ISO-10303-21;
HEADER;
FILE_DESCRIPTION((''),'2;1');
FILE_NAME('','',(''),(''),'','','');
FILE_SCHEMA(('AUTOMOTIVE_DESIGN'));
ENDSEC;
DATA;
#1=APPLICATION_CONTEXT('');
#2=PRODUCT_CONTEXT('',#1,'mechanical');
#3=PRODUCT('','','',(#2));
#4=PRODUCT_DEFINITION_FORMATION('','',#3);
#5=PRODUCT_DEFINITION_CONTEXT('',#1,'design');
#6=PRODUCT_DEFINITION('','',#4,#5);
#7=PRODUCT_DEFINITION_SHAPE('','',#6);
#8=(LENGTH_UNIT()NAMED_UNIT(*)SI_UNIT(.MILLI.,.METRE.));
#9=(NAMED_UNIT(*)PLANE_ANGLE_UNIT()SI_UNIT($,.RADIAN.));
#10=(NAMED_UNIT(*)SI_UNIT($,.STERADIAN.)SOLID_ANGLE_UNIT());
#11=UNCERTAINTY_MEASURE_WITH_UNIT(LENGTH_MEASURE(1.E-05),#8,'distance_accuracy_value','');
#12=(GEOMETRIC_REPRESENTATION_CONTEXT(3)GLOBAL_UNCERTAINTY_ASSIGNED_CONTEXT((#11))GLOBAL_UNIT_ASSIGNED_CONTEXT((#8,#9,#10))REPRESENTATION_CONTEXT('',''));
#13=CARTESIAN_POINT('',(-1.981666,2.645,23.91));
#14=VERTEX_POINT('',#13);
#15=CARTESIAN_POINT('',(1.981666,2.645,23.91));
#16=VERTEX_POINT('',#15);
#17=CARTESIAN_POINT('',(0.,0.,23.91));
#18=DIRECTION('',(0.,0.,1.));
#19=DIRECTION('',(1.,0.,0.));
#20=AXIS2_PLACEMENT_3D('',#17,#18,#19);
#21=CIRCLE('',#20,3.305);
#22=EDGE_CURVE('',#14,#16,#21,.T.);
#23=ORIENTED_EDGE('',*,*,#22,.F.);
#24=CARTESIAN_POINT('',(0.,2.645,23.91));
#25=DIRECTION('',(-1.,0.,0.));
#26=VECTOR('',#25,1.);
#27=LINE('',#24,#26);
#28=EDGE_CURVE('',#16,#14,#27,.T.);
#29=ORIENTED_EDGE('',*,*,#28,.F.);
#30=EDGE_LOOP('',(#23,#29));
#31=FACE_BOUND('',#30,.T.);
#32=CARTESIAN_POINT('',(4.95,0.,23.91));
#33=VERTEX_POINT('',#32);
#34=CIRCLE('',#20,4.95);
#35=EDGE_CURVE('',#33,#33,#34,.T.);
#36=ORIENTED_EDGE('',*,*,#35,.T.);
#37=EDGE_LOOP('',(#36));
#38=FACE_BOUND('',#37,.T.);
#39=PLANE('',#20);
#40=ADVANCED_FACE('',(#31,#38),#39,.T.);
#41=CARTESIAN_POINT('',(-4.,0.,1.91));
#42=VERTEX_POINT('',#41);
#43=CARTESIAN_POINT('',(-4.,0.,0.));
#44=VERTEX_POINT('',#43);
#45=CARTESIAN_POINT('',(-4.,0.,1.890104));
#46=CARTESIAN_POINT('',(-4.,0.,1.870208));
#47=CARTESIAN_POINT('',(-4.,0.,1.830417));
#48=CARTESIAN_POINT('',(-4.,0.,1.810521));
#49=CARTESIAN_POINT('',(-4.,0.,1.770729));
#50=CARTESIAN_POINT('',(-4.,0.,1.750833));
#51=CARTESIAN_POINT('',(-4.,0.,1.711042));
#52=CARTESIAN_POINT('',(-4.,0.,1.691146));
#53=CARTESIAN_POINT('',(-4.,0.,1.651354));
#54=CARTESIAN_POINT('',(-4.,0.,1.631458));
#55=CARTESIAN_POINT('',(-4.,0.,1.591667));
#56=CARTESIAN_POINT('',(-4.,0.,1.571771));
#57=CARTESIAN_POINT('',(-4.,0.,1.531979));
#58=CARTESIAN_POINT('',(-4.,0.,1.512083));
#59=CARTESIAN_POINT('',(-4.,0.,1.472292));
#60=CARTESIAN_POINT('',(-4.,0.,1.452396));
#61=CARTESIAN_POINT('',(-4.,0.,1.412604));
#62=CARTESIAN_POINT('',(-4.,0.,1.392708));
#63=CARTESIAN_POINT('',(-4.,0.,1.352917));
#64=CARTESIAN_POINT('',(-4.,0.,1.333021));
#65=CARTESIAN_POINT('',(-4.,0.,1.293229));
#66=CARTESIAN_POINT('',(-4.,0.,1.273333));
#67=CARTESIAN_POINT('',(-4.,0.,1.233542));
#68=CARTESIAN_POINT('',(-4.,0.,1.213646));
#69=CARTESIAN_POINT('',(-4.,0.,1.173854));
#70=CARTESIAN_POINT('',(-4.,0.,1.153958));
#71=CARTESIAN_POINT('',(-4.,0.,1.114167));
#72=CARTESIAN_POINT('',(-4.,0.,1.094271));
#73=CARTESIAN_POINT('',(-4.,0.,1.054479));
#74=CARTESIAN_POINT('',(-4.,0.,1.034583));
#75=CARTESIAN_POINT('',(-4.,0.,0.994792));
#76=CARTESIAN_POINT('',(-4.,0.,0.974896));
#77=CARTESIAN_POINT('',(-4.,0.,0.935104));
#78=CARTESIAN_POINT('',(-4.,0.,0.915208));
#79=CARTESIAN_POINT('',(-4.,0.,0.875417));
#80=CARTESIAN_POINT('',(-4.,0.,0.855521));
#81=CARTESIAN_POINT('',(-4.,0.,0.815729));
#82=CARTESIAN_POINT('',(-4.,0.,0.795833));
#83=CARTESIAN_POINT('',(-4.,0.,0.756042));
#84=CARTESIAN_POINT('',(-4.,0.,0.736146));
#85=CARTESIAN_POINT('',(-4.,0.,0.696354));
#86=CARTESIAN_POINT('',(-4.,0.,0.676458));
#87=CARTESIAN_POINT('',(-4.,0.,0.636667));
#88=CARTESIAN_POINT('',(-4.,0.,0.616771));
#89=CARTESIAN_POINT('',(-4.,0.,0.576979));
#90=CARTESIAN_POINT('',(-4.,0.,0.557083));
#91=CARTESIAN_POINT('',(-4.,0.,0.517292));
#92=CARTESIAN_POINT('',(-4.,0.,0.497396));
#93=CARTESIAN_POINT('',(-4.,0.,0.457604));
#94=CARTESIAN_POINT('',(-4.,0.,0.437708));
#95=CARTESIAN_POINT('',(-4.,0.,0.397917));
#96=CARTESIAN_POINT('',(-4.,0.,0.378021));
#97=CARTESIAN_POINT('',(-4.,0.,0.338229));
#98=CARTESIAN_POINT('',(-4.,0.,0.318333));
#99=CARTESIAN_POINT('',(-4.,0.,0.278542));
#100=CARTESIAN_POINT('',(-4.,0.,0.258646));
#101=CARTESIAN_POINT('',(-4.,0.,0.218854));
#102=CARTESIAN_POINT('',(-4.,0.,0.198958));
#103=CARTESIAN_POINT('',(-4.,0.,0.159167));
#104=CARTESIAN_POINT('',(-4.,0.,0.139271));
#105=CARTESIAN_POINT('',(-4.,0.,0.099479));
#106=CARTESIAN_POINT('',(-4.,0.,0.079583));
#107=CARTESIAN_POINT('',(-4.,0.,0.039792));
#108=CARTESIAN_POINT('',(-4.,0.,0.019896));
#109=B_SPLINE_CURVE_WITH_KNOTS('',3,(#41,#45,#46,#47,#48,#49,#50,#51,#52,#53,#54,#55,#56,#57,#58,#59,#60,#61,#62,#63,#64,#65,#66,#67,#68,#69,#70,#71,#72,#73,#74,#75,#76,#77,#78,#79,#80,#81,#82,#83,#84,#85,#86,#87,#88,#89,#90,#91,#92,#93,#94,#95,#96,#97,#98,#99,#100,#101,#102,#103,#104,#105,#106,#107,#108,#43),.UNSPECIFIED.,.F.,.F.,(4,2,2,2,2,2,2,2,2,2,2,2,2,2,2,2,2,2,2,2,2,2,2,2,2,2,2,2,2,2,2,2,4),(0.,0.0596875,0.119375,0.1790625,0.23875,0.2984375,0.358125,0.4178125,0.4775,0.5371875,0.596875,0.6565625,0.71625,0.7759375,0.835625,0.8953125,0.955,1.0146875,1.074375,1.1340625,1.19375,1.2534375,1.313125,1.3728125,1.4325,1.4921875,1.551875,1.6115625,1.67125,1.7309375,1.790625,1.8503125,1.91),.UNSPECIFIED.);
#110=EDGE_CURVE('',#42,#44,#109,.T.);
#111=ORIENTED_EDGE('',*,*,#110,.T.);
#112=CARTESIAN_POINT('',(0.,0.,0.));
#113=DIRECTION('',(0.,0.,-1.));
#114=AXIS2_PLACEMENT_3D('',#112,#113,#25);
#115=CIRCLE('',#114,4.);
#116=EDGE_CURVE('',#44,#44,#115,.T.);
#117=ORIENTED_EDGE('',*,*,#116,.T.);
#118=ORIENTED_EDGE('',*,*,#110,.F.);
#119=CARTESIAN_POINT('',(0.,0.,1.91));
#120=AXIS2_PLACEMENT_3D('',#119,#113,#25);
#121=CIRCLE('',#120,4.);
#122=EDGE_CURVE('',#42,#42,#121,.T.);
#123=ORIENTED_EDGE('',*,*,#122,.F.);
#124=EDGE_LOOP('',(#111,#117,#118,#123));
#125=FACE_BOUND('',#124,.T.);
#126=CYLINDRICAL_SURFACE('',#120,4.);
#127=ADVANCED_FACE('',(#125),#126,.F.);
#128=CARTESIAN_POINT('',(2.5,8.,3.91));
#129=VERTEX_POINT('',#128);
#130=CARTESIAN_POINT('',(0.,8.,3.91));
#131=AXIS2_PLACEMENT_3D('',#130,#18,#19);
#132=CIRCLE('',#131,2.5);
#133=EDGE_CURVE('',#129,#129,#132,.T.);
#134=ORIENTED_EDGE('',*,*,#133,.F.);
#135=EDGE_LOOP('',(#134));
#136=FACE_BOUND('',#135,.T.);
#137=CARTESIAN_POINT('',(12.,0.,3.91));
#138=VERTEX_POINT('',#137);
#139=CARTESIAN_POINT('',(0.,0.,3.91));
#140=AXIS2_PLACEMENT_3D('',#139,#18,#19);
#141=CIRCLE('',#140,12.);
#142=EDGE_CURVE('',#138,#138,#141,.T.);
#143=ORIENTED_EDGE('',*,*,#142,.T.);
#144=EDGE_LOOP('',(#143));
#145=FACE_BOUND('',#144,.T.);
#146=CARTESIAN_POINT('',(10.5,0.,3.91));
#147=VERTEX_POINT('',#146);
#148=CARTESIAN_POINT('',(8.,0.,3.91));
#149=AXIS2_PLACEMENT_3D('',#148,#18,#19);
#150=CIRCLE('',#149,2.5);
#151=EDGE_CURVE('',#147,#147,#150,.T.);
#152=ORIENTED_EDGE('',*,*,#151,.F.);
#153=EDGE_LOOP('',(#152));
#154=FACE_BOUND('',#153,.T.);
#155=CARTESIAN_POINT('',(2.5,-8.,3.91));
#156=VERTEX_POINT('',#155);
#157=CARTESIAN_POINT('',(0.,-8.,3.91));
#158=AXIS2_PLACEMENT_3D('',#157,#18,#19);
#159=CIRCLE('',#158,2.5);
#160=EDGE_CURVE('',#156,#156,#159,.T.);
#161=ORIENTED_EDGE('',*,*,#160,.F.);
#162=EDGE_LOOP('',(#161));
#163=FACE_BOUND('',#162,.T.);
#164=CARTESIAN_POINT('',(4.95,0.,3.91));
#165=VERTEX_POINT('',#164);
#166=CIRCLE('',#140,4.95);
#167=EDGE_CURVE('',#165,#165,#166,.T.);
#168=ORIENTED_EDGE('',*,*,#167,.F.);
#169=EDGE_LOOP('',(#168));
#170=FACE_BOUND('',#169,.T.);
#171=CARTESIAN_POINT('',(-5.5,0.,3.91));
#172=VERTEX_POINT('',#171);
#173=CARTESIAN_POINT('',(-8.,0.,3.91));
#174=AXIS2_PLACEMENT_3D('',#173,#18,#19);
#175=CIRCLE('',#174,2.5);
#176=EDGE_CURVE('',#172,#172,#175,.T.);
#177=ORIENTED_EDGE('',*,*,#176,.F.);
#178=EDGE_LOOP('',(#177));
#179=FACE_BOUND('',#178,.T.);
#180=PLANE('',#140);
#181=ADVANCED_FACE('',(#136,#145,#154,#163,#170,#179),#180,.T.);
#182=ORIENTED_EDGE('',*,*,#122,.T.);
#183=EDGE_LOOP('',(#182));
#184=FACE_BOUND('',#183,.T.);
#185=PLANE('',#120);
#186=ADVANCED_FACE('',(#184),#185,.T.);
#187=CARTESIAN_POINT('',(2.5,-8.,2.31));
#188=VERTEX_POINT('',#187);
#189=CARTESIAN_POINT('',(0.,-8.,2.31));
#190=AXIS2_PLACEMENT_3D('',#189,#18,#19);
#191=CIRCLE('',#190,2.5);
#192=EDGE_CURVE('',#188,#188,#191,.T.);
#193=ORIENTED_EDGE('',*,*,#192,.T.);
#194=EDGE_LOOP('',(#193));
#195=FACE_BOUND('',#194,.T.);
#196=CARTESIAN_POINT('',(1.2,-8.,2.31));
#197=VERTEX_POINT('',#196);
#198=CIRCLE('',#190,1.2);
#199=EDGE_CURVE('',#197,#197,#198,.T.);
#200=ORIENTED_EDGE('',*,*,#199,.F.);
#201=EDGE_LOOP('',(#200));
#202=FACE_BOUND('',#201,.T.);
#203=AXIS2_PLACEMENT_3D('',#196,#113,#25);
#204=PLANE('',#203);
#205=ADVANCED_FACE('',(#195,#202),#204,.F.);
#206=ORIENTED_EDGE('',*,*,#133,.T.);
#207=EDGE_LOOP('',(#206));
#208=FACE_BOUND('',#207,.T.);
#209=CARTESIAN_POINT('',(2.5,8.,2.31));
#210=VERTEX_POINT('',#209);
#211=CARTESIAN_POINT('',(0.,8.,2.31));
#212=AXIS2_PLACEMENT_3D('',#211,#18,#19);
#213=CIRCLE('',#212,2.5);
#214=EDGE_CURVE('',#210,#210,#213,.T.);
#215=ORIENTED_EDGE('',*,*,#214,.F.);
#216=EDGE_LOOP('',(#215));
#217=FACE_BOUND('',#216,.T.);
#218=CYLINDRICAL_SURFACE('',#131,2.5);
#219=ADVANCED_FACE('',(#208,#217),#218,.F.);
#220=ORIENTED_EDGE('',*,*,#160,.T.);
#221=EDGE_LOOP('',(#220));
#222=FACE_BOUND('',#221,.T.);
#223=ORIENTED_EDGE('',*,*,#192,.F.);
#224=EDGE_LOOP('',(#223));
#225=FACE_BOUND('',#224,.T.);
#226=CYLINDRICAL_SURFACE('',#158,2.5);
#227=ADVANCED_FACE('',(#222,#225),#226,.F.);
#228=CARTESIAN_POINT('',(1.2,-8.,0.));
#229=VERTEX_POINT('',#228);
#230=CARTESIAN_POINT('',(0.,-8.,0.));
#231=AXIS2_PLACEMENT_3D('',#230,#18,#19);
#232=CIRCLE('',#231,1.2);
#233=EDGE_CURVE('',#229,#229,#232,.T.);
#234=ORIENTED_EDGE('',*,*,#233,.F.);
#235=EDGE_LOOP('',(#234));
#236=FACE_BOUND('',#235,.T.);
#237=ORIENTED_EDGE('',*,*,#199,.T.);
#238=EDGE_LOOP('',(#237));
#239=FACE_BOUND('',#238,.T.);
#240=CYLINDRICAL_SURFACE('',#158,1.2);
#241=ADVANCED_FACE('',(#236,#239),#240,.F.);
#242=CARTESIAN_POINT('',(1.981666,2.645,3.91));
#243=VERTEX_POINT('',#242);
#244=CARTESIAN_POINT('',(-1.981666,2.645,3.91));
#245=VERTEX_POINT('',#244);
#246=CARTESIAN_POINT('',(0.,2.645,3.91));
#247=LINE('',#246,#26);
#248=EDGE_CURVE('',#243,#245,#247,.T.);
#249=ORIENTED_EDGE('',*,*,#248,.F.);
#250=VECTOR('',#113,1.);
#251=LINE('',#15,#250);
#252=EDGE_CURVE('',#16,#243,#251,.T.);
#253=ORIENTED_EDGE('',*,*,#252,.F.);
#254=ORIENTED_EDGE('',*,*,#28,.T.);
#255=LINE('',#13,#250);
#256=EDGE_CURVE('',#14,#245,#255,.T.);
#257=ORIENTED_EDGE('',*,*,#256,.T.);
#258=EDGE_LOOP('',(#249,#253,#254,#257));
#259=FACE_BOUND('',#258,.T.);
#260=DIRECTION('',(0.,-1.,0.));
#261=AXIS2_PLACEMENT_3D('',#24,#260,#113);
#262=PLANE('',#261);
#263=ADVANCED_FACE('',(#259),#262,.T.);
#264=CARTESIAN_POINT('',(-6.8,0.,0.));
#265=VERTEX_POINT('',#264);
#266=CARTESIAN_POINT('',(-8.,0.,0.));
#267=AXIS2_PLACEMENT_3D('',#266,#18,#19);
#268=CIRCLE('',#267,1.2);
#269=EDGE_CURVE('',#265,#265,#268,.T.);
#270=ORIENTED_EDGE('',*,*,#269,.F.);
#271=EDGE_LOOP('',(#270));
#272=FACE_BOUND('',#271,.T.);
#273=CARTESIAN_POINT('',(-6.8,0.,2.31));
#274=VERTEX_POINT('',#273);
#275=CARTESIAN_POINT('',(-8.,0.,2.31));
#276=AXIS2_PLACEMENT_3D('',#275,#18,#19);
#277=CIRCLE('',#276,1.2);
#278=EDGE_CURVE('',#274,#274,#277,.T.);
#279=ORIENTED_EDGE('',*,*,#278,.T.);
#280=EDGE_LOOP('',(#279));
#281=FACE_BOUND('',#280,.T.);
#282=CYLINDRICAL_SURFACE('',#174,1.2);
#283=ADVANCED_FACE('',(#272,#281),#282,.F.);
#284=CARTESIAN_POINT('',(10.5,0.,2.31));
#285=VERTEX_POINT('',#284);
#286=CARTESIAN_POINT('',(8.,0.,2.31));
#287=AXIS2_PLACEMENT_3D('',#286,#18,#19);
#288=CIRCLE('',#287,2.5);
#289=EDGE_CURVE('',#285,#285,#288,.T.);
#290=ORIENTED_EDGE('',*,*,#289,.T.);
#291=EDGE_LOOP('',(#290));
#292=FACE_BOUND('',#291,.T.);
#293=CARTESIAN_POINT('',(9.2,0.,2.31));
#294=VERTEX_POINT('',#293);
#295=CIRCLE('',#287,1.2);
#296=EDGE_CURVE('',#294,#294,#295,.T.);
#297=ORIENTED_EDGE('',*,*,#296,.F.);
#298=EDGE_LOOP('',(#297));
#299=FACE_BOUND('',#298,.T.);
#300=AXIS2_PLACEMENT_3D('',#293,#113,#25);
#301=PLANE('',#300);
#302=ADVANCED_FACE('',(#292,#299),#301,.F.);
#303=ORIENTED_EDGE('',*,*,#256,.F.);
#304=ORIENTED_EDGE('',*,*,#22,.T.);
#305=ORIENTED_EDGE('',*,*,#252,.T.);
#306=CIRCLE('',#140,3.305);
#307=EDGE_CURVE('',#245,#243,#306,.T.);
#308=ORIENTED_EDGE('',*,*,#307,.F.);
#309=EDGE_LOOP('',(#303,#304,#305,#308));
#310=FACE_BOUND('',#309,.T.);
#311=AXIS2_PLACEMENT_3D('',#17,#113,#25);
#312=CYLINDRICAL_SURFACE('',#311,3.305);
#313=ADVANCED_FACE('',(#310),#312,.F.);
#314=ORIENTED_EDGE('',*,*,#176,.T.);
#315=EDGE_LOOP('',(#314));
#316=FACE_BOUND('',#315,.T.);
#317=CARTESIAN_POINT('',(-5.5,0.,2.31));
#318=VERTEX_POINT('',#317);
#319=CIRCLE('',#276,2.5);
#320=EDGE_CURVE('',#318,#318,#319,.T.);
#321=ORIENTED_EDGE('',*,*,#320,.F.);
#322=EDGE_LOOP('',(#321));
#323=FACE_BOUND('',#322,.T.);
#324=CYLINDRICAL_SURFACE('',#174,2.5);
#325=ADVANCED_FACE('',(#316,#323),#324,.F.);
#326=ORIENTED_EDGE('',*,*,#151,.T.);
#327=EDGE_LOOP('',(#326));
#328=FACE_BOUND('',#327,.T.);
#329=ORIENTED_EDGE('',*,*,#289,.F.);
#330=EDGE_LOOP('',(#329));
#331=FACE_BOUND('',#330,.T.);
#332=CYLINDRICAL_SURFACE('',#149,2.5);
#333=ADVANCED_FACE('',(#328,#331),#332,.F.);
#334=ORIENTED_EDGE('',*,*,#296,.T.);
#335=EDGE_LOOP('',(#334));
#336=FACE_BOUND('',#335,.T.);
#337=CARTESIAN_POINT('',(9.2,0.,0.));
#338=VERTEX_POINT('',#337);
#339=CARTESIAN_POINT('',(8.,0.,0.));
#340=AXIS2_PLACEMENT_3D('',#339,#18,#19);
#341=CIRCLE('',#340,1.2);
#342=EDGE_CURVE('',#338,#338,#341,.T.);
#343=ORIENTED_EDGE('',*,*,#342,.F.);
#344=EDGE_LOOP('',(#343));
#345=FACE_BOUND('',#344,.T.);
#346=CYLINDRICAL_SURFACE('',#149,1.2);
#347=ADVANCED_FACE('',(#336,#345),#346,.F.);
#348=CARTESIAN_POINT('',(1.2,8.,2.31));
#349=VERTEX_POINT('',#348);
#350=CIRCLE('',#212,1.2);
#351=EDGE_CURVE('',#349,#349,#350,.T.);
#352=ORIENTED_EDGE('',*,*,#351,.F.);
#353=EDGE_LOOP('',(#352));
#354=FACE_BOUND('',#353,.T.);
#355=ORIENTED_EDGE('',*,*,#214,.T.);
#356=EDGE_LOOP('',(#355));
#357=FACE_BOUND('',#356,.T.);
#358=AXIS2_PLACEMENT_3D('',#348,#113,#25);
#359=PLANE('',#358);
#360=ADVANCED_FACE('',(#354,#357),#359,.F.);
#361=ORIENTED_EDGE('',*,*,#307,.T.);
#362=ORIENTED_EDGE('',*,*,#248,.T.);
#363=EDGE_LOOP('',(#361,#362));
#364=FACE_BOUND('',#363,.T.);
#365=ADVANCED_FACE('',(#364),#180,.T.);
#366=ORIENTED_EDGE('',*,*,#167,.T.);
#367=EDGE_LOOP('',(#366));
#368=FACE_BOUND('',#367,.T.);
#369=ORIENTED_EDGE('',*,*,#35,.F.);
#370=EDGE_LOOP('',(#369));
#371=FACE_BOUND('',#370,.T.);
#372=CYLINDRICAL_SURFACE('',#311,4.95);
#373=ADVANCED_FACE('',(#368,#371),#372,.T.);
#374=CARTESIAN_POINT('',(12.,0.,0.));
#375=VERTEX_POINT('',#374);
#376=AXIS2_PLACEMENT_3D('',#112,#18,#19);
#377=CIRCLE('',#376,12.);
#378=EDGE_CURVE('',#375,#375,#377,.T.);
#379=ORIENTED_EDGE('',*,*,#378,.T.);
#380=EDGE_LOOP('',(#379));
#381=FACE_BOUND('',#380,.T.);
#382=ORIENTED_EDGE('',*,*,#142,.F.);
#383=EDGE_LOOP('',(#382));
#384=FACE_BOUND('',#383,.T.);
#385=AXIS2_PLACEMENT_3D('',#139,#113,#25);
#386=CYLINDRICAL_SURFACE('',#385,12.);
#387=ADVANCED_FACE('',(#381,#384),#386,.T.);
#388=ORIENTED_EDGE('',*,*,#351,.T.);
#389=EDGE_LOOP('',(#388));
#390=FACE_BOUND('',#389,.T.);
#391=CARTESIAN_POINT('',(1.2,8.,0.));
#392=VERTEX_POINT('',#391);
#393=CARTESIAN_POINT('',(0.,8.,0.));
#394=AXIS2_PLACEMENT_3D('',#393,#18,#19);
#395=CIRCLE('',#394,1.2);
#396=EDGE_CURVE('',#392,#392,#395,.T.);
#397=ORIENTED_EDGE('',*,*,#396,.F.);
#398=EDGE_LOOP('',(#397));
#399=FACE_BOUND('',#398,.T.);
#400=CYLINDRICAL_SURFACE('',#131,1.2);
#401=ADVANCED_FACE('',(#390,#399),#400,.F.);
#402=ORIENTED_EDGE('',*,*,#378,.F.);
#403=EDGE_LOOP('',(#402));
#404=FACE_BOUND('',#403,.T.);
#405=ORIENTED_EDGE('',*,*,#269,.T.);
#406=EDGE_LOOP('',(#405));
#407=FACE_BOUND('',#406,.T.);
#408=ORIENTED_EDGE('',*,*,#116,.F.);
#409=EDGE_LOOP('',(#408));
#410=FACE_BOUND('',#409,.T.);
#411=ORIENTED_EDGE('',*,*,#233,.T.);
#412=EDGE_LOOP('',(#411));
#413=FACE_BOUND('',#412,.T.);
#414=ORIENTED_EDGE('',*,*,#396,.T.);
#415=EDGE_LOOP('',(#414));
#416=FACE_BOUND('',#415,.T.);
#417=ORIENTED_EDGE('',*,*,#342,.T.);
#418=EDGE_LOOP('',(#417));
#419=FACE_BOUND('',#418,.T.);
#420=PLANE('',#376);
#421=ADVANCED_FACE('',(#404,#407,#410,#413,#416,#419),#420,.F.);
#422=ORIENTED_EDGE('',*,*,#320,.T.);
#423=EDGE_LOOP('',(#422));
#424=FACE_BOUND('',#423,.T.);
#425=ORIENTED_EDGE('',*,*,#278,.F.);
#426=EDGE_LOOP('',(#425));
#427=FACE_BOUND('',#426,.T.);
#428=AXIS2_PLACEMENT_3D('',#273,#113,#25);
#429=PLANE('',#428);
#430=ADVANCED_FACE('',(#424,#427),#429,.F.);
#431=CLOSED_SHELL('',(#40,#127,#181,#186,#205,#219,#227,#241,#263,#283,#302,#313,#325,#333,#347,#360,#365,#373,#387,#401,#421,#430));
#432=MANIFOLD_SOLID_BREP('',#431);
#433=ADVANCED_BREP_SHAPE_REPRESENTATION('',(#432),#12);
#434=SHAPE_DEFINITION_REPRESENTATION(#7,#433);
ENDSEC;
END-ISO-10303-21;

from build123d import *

# Parameters (mm, degrees)
ESQUISSE1_R                                        = 12
BOSS_EXTRU_1_DEPTH                                 = 3.91
ESQUISSE6_R                                        = 4
ENL_V_MAT_EXTRU_2_DEPTH                            = 1.91
ESQUISSE7_R                                        = 4.95
BOSS_EXTRU_2_DEPTH                                 = 20
CHAMBRAGE_POUR_VIS_T_TE_RONDE_BOMB_E_M_D           = 2.4
CHAMBRAGE_POUR_VIS_T_TE_RONDE_BOMB_E_M_CBORE_D     = 5
CHAMBRAGE_POUR_VIS_T_TE_RONDE_BOMB_E_M_CBORE_DEPTH = 1.6
R_P_TITION_CIRCULAIRE2_COUNT                       = 4


with BuildPart() as part:
    # Esquisse1 → Boss.-Extru.1 (new body)
    with BuildSketch(Plane.XY):
        Circle(ESQUISSE1_R)
    extrude(amount=BOSS_EXTRU_1_DEPTH)

    # Esquisse6 → Enlèv. mat.-Extru.2 (cut)
    with BuildSketch(Plane(origin=(0, 0, 0), x_dir=(-1, 0, 0), z_dir=(0, 0, -1))):
        Circle(ESQUISSE6_R)
    extrude(amount=-ENL_V_MAT_EXTRU_2_DEPTH, mode=Mode.SUBTRACT)

    # Esquisse7 → Boss.-Extru.2 (add)
    with BuildSketch(Plane.XY.offset(3.91)):
        Circle(ESQUISSE7_R)
        with BuildLine():
            Line((1.981665966, 2.645), (-1.981665966, 2.645))
            ThreePointArc((-1.981665966, 2.645), (0, -3.305), (1.981665966, 2.645))
        make_face(mode=Mode.SUBTRACT)
    extrude(amount=BOSS_EXTRU_2_DEPTH)

    # Chambrage pour vis à tête ronde bombée M21 (through all)
    with Locations(Plane.XY.offset(3.91)):
        with Locations((0, 8)):
            chambrage_pour_vis_t_te_ronde_bomb_e_m = CounterBoreHole(CHAMBRAGE_POUR_VIS_T_TE_RONDE_BOMB_E_M_D / 2, CHAMBRAGE_POUR_VIS_T_TE_RONDE_BOMB_E_M_CBORE_D / 2, CHAMBRAGE_POUR_VIS_T_TE_RONDE_BOMB_E_M_CBORE_DEPTH)

    # Répétition circulaire2: Chambrage pour vis à tête ronde bombée M21 ×4 about axis
    r_p_tition_circulaire2_axis = Axis((0, 0, 0), (0, 0, 1))
    for i in range(1, R_P_TITION_CIRCULAIRE2_COUNT):
        add(chambrage_pour_vis_t_te_ronde_bomb_e_m.rotate(r_p_tition_circulaire2_axis, i * 360 / R_P_TITION_CIRCULAIRE2_COUNT), mode=Mode.SUBTRACT)


solid = part.part
